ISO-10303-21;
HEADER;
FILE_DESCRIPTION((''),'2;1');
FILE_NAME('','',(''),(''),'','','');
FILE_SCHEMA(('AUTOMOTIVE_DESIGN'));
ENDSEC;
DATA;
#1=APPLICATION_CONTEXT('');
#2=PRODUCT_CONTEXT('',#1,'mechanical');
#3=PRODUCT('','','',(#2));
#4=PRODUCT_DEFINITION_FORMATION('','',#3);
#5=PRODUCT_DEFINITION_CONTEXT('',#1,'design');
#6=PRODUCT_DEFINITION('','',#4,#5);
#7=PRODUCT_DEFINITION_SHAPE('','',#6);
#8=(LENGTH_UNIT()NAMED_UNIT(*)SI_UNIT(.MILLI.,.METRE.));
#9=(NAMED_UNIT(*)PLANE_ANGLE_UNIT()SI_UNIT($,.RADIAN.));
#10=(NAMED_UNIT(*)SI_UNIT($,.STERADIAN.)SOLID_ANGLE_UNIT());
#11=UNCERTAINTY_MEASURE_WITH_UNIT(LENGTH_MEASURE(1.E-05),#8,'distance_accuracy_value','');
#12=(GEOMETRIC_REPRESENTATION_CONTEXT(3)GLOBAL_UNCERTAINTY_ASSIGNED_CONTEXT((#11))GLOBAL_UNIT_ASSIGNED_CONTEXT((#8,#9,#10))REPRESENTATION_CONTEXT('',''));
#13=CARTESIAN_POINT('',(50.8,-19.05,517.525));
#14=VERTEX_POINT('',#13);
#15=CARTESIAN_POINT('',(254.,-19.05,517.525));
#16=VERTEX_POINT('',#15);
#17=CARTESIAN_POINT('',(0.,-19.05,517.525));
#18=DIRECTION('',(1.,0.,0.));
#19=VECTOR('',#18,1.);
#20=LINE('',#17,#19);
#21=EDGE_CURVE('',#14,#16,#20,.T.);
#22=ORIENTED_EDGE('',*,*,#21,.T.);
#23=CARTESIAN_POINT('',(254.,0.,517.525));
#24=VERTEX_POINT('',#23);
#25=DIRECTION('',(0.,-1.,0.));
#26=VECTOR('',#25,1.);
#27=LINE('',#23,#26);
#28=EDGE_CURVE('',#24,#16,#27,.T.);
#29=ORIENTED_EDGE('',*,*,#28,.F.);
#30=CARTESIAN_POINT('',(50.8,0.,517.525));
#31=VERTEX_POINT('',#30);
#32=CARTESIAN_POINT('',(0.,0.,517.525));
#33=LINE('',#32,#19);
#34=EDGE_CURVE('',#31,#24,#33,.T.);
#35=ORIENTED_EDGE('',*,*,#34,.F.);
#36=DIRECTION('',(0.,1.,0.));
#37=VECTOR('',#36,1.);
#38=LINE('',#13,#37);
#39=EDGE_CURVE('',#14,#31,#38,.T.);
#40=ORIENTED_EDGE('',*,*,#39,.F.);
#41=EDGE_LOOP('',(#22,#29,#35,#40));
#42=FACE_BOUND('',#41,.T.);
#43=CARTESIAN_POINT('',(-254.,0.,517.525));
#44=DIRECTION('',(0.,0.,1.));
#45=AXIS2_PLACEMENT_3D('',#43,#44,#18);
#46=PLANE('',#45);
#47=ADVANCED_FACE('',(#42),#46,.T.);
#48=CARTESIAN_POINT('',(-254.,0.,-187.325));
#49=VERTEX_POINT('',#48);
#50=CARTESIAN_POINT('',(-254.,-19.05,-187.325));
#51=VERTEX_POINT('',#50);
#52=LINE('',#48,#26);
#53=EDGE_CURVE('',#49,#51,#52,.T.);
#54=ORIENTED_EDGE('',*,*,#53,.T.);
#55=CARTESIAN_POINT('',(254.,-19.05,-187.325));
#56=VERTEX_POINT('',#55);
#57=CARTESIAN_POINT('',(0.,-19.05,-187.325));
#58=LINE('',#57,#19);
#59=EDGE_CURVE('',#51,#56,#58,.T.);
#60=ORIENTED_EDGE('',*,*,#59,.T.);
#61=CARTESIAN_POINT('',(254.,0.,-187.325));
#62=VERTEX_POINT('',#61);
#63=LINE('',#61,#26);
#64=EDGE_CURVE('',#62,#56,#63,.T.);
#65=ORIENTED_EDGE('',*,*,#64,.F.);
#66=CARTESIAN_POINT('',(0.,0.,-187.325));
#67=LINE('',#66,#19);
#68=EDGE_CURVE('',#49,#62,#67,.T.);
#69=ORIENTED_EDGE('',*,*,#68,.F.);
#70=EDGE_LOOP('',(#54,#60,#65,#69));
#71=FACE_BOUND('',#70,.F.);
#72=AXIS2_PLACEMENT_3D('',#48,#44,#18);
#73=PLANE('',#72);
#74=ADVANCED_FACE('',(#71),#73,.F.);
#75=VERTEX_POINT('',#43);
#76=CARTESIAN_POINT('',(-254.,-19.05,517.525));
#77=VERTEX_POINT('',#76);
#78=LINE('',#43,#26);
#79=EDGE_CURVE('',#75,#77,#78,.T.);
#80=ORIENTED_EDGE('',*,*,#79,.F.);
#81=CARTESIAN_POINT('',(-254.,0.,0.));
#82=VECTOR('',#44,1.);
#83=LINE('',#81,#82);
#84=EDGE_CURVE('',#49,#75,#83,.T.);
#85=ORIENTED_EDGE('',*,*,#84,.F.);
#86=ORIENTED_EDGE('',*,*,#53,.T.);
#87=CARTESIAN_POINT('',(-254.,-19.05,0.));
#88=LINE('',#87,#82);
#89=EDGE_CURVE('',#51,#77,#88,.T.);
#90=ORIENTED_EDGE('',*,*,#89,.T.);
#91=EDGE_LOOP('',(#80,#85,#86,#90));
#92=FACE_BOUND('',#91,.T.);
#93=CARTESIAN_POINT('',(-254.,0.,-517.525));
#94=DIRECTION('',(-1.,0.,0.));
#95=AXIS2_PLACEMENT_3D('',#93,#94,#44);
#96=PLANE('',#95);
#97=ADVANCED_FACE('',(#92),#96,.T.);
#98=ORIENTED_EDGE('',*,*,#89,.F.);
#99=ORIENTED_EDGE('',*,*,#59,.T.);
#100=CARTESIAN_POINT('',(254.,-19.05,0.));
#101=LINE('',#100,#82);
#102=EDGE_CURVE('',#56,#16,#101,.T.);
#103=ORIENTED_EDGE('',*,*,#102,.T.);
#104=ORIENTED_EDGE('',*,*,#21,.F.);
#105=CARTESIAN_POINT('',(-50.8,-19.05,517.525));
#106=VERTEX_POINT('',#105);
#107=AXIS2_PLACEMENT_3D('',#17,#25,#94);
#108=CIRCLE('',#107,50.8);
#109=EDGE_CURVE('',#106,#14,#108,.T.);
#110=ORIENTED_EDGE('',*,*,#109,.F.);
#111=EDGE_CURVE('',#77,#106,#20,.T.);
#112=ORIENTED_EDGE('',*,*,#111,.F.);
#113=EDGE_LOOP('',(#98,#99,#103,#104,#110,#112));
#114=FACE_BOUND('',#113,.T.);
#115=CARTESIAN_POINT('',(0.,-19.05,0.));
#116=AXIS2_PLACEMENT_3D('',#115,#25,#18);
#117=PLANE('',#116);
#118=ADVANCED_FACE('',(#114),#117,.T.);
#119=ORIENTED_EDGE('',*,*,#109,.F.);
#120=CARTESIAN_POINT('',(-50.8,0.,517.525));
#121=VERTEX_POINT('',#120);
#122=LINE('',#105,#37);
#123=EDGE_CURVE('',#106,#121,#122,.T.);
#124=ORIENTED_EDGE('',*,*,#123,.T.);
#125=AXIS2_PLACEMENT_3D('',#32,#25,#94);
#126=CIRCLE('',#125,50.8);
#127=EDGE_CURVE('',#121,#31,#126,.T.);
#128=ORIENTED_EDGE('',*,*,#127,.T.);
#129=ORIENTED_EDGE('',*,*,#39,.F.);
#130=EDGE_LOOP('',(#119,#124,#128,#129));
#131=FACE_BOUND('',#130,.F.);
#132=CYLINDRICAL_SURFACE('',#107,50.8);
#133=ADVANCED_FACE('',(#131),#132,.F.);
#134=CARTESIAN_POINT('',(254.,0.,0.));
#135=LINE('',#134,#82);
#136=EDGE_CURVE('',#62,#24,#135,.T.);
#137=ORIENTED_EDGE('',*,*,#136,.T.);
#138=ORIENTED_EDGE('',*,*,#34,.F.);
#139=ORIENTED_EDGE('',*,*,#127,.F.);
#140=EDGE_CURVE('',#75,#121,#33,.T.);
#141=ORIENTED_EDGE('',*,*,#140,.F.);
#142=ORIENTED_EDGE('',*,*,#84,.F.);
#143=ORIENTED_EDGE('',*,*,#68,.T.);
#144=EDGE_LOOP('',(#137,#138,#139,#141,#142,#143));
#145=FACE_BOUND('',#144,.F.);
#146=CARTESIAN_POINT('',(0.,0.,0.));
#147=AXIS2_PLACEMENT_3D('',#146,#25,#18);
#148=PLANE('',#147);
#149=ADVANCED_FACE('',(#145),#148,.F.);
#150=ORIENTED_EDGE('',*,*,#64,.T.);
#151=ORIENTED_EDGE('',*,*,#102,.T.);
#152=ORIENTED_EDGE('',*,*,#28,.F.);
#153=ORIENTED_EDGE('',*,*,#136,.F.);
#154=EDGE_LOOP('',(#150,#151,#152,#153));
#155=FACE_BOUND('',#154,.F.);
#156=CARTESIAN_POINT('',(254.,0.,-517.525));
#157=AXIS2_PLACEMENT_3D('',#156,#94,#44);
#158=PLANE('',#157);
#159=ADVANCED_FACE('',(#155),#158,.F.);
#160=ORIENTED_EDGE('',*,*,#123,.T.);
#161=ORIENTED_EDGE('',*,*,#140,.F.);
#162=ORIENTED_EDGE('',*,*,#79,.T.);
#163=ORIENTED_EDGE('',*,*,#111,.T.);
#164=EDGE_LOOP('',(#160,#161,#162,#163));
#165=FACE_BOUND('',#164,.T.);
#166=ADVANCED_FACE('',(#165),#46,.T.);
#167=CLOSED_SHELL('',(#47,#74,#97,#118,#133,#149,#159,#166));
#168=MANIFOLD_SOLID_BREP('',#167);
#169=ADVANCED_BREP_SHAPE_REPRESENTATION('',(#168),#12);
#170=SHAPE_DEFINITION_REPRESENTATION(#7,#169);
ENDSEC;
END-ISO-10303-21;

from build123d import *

# Parameters (mm, degrees)
F0_W     = 508
F0_H     = 1035.05
F1_DEPTH = 19.05
F3_DEPTH = 25.4
F4_DEPTH = 330.2


with BuildPart() as f1:
    # F0 (on Front) → F1 (new body)
    with BuildSketch(Plane.XZ):
        Rectangle(F0_W, F0_H)
    extrude(amount=F1_DEPTH)

    # F2 (on face) → F3 (cut)
    with BuildSketch(Plane.XZ.offset(19.05)):
        with BuildLine():
            ThreePointArc((-50.8, 517.525), (0, 466.725), (50.8, 517.525))
            Line((50.8, 517.525), (-50.8, 517.525))
        make_face()
    extrude(amount=-F3_DEPTH, mode=Mode.SUBTRACT)

    # F4 (cut): a face of the model
    f4_faces = [f1.faces().sort_by_distance(p)[0] for p in [
        (0, -9.525, -517.525),
    ]]
    extrude(f4_faces, amount=-F4_DEPTH, mode=Mode.SUBTRACT)


solid = f1.part
